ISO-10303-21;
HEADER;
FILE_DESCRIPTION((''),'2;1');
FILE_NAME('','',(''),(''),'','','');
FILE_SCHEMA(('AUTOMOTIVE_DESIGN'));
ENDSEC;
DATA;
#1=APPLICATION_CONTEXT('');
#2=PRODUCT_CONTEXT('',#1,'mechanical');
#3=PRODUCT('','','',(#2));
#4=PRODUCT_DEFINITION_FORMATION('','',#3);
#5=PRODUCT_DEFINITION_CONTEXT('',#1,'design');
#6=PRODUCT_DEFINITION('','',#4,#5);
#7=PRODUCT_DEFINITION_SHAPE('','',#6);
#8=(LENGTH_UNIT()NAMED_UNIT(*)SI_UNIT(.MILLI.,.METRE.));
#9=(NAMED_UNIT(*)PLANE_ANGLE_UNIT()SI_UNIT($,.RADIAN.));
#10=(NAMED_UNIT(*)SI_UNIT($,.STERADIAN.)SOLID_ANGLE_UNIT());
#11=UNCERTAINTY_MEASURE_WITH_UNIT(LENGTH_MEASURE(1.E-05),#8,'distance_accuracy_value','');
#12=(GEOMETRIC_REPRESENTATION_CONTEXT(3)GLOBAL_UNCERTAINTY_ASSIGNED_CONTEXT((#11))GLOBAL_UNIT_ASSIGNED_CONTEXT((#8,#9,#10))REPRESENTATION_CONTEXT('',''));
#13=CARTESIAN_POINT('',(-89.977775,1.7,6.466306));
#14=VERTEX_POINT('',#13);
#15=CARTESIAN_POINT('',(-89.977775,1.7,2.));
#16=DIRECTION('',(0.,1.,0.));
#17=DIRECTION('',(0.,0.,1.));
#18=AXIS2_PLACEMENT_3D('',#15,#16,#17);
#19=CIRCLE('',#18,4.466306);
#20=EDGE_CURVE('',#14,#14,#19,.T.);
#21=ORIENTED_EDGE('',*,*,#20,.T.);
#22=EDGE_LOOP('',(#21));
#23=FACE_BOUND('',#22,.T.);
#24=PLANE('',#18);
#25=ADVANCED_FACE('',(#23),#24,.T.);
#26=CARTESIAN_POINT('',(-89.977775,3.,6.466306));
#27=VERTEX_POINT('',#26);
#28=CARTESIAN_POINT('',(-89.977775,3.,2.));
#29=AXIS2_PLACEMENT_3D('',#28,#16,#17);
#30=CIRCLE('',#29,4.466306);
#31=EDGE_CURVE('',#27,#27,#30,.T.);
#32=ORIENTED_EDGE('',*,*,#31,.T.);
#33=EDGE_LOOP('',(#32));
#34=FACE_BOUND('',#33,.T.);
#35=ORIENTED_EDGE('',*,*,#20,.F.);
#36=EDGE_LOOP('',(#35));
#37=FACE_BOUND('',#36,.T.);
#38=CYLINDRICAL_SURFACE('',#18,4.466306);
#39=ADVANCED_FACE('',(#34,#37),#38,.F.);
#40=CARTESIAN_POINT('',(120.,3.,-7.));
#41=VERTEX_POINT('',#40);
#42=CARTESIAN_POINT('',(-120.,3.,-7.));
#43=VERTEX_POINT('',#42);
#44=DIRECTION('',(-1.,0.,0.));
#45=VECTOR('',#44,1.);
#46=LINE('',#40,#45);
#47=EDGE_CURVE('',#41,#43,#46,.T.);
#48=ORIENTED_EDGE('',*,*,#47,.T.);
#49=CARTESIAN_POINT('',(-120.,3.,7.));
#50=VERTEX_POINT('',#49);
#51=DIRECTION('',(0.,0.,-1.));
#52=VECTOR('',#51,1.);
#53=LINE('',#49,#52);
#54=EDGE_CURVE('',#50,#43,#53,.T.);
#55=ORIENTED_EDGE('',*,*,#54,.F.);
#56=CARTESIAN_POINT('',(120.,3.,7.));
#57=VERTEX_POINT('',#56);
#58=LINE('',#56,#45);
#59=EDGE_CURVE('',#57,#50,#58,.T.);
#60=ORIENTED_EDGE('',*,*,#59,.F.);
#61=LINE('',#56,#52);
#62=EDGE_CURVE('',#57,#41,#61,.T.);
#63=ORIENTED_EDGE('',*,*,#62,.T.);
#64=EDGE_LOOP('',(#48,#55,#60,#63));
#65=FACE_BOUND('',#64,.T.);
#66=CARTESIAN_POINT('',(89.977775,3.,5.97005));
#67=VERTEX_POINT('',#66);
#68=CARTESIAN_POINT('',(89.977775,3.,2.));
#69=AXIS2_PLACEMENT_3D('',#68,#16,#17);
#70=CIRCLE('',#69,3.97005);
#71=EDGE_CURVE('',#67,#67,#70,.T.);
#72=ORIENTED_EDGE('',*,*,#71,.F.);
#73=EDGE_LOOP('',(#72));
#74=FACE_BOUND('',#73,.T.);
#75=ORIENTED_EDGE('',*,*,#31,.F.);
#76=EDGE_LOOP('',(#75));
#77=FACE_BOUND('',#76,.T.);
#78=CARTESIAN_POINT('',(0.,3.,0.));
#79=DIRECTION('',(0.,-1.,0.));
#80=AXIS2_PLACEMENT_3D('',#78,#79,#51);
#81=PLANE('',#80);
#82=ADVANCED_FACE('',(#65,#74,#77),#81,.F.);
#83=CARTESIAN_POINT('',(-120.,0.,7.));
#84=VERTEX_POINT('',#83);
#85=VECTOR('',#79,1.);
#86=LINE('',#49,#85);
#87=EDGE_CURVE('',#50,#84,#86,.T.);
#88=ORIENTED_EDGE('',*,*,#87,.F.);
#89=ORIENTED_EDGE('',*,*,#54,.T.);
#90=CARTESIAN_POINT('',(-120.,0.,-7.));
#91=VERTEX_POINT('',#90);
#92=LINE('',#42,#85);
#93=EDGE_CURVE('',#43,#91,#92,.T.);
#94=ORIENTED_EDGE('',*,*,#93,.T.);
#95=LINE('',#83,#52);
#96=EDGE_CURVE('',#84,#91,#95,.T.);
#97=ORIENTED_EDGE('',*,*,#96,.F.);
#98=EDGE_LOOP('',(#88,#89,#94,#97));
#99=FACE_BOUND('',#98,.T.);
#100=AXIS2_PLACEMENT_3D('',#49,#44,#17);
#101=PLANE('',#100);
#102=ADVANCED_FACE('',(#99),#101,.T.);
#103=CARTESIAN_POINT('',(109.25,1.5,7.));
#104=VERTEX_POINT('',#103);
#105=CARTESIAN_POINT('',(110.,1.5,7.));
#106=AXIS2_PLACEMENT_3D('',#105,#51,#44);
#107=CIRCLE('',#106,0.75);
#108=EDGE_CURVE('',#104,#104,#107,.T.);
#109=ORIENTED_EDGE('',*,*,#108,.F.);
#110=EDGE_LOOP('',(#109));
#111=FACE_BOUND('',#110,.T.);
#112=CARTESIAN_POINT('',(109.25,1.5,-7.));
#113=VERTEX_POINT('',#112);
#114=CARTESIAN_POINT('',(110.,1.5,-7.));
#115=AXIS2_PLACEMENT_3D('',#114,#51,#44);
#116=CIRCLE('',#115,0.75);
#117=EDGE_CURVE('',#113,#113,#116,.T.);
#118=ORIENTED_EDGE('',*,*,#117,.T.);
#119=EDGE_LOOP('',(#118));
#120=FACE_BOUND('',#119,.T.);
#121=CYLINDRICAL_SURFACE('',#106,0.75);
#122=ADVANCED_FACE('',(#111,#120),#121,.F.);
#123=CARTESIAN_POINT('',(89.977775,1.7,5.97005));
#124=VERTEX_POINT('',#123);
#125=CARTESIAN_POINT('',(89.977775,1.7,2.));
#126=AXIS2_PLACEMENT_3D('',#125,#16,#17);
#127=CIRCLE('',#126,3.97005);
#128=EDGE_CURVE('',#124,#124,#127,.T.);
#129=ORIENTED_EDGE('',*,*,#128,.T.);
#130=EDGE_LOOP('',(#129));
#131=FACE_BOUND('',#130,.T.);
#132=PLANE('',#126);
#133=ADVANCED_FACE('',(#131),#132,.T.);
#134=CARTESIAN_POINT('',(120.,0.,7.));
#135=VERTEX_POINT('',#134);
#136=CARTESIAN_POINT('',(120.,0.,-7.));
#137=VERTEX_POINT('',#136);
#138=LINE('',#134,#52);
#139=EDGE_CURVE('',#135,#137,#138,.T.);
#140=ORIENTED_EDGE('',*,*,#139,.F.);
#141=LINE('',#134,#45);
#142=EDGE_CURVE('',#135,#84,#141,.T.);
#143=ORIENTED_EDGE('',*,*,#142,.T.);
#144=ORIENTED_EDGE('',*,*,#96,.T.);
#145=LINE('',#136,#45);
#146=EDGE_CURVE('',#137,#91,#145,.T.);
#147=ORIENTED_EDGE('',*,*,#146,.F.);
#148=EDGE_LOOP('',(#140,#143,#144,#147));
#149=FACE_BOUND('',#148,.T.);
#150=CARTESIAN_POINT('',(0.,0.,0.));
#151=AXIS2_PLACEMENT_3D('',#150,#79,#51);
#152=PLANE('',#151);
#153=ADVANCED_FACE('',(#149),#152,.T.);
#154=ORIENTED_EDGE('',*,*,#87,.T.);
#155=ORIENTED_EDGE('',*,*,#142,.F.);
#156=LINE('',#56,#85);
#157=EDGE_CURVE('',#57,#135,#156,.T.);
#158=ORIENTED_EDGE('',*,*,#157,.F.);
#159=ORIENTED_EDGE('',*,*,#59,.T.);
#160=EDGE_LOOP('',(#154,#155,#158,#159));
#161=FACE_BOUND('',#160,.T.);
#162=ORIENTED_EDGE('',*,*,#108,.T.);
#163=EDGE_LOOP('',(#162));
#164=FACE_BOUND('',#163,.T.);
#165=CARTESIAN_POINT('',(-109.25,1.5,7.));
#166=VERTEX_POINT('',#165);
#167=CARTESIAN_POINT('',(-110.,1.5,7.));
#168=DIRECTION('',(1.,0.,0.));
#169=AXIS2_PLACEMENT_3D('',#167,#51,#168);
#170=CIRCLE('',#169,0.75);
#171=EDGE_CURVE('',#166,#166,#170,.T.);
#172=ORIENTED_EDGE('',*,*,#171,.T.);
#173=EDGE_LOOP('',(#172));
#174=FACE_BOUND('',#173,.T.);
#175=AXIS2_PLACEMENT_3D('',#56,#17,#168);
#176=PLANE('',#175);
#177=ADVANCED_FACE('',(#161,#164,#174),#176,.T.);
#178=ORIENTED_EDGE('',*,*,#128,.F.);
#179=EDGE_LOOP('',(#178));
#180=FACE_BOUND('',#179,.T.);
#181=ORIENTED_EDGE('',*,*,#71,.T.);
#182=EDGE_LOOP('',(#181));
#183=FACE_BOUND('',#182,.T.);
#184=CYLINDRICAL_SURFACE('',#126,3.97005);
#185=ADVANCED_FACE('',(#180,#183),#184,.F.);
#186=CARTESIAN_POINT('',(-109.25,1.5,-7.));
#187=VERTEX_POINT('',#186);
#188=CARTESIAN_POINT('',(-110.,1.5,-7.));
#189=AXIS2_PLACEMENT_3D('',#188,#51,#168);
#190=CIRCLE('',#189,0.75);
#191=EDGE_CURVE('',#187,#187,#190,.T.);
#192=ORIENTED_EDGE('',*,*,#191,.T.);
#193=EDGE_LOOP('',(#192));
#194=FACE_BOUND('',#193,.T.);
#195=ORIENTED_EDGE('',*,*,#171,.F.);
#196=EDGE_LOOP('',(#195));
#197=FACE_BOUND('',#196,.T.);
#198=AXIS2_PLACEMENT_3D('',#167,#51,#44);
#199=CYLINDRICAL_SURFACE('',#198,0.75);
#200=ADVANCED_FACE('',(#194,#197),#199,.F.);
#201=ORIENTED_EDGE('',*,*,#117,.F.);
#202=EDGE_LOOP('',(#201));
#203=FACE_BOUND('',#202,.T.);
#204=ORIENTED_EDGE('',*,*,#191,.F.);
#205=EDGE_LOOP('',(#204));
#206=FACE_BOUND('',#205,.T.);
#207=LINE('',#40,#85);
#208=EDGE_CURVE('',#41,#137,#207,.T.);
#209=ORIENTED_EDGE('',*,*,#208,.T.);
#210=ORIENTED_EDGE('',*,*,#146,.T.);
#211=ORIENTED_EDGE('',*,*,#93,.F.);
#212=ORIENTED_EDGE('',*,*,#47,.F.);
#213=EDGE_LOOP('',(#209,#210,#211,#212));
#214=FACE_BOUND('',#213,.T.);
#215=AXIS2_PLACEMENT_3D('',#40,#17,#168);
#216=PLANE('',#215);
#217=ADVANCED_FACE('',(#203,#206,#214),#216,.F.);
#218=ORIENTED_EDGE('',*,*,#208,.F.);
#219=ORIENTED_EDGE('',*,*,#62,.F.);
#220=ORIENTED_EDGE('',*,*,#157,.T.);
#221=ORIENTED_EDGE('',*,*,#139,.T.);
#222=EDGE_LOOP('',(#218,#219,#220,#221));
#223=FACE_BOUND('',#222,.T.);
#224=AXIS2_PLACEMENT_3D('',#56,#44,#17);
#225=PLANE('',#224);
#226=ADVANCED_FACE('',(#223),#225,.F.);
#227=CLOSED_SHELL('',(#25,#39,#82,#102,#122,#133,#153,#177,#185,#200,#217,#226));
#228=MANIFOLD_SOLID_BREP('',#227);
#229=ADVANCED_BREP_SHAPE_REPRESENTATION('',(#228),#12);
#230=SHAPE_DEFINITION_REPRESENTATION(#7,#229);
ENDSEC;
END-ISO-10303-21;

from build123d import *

# Parameters (mm, degrees)
CROQUIS1_W              = 240
CROQUIS1_H              = 14
SALIENTE_EXTRUIR2_DEPTH = 3
CROQUIS3_R              = 4.466306423
CROQUIS3_R_2            = 3.970050153
CORTAR_EXTRUIR1_DEPTH   = 1.3
CROQUIS4_R              = 0.75
CORTAR_EXTRUIR2_DEPTH   = 121.851148112


with BuildPart() as part:
    # Croquis1 → Saliente-Extruir2 (new body)
    with BuildSketch(Plane(origin=(0, 0, 0), x_dir=(1, 0, 0), z_dir=(0, 1, 0))):
        Rectangle(CROQUIS1_W, CROQUIS1_H)
    extrude(amount=SALIENTE_EXTRUIR2_DEPTH)

    # Croquis3 → Cortar-Extruir1 (cut)
    with BuildSketch(Plane(origin=(0, 3, 0), x_dir=(1, 0, 0), z_dir=(0, 1, 0))):
        with Locations(Location((-89.977775034, -2, 0), (0, 0, 270))):
            Circle(CROQUIS3_R)
        with Locations(Location((89.977775034, -2, 0), (0, 0, 270))):
            Circle(CROQUIS3_R_2)
    extrude(amount=-CORTAR_EXTRUIR1_DEPTH, mode=Mode.SUBTRACT)

    # Croquis4 → Cortar-Extruir2 (cut, through all)
    with BuildSketch(Plane(origin=(0, 0, -7), x_dir=(-1, 0, 0), z_dir=(0, 0, -1))):
        with Locations((-110, 1.5)):
            Circle(CROQUIS4_R)
        with Locations(Location((110, 1.5, 0), (0, 0, 180))):
            Circle(CROQUIS4_R)
    extrude(amount=-CORTAR_EXTRUIR2_DEPTH, mode=Mode.SUBTRACT)


solid = part.part
